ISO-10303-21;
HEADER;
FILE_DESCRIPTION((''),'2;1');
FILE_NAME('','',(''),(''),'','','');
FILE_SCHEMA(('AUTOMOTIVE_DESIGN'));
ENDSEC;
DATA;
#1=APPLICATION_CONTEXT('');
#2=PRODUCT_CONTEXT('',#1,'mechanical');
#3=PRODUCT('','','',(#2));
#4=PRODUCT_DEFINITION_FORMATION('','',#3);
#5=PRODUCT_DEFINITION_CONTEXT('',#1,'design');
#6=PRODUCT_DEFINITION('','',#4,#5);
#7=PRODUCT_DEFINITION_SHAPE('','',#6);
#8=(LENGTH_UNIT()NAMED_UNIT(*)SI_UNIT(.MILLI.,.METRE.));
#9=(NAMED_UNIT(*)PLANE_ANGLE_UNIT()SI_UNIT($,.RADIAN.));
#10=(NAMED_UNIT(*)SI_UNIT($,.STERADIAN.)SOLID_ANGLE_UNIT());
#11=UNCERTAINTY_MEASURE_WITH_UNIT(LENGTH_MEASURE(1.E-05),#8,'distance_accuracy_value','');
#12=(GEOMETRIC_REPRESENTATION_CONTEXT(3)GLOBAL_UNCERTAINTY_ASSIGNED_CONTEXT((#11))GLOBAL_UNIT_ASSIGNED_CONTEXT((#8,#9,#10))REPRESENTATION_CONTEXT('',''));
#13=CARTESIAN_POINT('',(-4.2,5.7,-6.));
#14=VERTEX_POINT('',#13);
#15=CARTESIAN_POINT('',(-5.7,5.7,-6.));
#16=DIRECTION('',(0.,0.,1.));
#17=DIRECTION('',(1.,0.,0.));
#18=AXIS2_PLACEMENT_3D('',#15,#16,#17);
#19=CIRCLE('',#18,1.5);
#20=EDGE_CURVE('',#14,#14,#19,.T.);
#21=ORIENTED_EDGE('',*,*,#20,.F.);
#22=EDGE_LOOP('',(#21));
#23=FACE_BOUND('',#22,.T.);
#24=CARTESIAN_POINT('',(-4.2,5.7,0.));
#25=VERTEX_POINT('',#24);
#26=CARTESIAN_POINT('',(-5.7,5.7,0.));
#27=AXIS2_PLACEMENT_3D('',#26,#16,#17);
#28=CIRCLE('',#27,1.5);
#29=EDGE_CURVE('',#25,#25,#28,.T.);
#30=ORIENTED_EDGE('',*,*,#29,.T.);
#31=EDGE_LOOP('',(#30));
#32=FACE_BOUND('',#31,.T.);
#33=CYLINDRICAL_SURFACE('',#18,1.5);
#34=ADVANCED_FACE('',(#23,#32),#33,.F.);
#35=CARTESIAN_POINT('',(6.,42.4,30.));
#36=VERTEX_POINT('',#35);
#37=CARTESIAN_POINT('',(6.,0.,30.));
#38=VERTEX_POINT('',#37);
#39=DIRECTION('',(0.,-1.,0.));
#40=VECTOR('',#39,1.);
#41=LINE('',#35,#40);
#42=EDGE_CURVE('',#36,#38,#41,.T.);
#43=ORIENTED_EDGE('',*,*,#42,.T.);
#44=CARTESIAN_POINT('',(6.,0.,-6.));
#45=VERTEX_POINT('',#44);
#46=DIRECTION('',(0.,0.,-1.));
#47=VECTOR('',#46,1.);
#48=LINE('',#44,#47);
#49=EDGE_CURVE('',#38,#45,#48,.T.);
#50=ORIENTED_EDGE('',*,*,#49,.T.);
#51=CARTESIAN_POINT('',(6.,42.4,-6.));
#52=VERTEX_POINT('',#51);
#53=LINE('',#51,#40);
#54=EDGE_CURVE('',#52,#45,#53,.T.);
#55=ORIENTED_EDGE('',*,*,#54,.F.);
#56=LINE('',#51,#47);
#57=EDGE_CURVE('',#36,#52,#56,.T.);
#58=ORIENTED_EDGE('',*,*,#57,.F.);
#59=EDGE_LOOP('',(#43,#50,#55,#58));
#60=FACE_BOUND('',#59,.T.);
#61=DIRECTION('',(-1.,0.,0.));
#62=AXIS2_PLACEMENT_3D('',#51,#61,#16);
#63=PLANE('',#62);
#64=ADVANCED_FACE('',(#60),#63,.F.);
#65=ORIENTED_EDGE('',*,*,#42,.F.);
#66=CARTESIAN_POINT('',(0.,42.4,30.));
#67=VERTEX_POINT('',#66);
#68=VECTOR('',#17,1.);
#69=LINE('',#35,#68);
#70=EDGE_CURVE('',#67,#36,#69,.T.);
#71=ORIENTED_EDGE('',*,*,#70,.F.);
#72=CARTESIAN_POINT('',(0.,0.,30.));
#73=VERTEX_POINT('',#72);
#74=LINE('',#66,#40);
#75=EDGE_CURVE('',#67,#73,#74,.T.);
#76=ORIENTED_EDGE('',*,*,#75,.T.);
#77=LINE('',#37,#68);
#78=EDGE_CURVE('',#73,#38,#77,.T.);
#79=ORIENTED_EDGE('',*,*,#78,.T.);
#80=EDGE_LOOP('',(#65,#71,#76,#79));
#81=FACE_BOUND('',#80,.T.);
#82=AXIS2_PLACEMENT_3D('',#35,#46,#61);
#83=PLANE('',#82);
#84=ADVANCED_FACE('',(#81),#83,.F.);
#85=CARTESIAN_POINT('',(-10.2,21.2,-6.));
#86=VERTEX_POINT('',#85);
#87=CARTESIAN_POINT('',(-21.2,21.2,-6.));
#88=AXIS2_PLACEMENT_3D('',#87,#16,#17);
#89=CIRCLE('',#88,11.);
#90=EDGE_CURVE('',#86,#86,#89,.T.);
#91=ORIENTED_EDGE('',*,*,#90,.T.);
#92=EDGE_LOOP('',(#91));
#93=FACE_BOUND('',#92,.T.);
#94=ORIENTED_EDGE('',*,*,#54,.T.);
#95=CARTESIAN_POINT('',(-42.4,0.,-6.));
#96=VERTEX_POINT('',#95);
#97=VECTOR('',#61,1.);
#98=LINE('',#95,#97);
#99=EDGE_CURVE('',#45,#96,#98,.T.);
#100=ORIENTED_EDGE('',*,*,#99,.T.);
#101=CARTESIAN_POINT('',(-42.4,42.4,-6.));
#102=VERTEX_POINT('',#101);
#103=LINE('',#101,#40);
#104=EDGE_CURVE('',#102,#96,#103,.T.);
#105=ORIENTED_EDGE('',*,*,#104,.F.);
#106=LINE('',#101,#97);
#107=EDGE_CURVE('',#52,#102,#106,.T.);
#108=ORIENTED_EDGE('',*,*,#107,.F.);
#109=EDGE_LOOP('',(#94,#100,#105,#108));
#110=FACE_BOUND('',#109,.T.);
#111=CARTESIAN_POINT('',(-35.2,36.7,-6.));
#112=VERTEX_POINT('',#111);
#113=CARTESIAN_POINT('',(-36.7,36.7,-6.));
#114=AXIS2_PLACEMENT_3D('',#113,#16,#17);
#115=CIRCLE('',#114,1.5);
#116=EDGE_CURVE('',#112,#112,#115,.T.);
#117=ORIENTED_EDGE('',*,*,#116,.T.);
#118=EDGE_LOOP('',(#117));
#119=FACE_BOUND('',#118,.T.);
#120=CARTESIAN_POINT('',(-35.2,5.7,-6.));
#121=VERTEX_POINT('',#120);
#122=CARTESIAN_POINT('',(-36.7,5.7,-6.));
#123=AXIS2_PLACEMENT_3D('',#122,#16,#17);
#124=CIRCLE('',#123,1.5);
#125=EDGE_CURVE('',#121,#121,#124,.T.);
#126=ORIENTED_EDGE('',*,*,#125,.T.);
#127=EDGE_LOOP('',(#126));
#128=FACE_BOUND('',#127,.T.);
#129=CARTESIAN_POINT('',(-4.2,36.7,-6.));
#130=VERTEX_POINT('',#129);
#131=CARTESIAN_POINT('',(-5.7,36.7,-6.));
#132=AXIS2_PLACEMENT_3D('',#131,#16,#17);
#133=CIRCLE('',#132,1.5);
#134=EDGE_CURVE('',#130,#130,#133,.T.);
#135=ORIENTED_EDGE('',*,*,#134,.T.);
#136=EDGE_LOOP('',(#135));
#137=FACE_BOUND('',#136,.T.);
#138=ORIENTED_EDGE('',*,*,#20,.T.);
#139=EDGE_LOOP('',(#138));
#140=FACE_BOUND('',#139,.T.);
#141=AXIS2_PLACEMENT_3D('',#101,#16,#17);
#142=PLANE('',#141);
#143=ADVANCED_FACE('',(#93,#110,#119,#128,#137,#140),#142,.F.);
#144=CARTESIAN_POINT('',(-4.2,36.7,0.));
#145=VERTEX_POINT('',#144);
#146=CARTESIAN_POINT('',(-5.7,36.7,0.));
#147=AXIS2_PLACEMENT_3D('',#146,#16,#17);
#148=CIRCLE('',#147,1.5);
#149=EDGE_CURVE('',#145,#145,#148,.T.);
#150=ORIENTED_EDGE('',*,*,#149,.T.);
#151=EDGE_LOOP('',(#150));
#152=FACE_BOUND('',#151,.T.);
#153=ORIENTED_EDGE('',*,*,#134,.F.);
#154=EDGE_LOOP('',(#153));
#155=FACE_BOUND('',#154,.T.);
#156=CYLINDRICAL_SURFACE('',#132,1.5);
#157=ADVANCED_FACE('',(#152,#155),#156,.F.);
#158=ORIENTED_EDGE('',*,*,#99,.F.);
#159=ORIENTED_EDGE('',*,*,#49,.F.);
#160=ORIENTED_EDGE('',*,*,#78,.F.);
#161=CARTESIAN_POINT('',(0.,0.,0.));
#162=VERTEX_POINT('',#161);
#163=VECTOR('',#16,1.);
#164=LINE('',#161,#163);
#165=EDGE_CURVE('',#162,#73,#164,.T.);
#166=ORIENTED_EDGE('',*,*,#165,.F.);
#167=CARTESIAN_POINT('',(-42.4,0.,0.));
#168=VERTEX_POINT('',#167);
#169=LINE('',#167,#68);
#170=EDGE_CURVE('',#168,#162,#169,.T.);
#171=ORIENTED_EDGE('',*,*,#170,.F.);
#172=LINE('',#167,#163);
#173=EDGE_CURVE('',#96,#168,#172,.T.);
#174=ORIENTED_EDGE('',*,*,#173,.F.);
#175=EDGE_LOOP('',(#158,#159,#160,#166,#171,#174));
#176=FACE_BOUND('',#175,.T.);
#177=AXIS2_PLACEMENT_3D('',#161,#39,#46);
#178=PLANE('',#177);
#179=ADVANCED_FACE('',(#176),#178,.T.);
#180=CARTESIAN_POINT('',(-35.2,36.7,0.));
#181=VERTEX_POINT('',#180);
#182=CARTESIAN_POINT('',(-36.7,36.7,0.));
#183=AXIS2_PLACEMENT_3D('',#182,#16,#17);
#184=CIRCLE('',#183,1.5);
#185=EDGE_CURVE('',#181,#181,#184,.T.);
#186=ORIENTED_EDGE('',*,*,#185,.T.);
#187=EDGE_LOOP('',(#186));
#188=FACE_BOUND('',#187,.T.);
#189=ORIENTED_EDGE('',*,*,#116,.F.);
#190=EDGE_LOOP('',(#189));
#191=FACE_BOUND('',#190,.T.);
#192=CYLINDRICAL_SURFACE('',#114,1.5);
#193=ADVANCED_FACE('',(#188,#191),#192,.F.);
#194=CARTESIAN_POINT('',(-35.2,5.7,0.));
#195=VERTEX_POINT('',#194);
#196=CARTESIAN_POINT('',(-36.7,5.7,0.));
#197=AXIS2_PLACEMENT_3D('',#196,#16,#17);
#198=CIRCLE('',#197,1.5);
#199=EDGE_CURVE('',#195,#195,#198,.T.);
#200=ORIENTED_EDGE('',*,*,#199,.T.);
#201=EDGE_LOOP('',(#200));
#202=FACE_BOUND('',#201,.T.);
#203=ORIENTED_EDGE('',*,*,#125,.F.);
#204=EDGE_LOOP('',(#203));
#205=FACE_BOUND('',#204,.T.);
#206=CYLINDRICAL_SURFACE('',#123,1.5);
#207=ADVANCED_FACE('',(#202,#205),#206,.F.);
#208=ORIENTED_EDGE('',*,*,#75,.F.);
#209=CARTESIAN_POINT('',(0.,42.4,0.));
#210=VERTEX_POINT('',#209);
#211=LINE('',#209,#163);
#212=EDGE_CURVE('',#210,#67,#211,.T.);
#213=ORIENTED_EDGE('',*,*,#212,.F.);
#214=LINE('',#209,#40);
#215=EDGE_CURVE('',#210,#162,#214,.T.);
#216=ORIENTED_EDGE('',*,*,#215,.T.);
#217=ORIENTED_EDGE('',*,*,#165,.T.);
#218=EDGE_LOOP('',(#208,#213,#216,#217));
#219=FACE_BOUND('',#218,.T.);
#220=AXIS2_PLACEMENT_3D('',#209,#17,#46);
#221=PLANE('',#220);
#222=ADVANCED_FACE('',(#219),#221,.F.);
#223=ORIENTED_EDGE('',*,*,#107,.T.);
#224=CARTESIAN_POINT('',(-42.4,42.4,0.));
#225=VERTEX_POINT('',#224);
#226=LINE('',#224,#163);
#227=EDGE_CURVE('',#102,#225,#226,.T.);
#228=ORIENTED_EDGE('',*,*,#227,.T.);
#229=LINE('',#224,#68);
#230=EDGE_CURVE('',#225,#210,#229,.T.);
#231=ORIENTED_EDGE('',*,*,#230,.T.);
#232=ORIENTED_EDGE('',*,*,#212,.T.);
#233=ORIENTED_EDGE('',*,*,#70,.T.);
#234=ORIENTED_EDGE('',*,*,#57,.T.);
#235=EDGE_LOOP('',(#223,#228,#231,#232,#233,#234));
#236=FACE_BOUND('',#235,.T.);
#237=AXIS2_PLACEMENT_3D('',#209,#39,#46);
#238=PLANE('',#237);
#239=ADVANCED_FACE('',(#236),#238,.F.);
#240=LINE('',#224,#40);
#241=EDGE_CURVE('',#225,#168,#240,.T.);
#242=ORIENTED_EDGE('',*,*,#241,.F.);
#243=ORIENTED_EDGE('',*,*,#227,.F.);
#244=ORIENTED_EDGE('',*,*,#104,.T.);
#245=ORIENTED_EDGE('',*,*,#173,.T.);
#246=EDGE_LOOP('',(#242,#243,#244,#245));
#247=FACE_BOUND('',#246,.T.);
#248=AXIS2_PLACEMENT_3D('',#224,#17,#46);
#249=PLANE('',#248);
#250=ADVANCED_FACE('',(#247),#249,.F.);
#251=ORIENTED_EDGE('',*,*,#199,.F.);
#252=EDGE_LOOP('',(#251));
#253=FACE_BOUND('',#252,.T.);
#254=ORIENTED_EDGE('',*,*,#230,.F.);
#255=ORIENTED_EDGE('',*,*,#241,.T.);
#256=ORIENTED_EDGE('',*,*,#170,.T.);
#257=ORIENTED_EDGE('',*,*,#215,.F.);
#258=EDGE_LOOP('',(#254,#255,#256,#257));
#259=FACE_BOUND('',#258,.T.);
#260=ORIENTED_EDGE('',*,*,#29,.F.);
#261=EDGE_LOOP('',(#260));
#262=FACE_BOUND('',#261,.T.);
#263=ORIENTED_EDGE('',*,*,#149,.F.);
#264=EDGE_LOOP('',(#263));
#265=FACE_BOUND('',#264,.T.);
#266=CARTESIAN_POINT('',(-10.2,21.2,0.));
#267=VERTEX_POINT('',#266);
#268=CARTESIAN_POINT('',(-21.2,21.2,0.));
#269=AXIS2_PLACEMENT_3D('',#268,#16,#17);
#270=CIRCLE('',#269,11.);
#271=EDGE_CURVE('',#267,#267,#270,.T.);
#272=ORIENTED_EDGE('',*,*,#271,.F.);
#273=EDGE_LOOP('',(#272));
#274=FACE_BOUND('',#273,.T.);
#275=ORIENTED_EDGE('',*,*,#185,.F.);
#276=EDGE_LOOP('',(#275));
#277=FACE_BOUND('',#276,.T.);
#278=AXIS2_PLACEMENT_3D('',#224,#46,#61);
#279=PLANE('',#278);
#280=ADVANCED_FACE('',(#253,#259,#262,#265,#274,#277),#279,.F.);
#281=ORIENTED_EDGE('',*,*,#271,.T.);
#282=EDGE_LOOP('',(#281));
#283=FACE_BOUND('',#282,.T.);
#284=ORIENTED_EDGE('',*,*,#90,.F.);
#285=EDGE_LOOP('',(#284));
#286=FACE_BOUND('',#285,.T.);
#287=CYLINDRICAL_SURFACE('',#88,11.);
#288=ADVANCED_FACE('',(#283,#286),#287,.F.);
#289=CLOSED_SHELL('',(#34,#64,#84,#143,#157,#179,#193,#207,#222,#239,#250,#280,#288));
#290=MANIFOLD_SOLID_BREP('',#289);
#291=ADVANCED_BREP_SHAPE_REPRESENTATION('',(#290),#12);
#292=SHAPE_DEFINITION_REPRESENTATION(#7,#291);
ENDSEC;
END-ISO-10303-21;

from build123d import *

# Parameters (mm, degrees)
BOSS_EXTRUDE1_DEPTH = 42.4
SKETCH3_R           = 11
SKETCH3_R_2         = 1.5
CUT_EXTRUDE1_DEPTH  = 7


with BuildPart() as part:
    # Sketch2 → Boss-Extrude1 (new body)
    with BuildSketch(Plane(origin=(0, 0, 0), x_dir=(1, 0, 0), z_dir=(0, 1, 0))):
        Polygon((-42.4, 0), (0, 0), (0, -30), (6, -30), (6, 6), (-42.4, 6), align=None)
    extrude(amount=BOSS_EXTRUDE1_DEPTH)

    # Sketch3 → Cut-Extrude1 (cut, through all)
    with BuildSketch(Plane.XY):
        with Locations((-21.2, 21.2)):
            Circle(SKETCH3_R)
        with Locations((-36.7, 36.7)):
            Circle(SKETCH3_R_2)
        with Locations((-5.7, 36.7)):
            Circle(SKETCH3_R_2)
        with Locations((-5.7, 5.7)):
            Circle(SKETCH3_R_2)
        with Locations((-36.7, 5.7)):
            Circle(SKETCH3_R_2)
    extrude(amount=-CUT_EXTRUDE1_DEPTH, mode=Mode.SUBTRACT)


solid = part.part
